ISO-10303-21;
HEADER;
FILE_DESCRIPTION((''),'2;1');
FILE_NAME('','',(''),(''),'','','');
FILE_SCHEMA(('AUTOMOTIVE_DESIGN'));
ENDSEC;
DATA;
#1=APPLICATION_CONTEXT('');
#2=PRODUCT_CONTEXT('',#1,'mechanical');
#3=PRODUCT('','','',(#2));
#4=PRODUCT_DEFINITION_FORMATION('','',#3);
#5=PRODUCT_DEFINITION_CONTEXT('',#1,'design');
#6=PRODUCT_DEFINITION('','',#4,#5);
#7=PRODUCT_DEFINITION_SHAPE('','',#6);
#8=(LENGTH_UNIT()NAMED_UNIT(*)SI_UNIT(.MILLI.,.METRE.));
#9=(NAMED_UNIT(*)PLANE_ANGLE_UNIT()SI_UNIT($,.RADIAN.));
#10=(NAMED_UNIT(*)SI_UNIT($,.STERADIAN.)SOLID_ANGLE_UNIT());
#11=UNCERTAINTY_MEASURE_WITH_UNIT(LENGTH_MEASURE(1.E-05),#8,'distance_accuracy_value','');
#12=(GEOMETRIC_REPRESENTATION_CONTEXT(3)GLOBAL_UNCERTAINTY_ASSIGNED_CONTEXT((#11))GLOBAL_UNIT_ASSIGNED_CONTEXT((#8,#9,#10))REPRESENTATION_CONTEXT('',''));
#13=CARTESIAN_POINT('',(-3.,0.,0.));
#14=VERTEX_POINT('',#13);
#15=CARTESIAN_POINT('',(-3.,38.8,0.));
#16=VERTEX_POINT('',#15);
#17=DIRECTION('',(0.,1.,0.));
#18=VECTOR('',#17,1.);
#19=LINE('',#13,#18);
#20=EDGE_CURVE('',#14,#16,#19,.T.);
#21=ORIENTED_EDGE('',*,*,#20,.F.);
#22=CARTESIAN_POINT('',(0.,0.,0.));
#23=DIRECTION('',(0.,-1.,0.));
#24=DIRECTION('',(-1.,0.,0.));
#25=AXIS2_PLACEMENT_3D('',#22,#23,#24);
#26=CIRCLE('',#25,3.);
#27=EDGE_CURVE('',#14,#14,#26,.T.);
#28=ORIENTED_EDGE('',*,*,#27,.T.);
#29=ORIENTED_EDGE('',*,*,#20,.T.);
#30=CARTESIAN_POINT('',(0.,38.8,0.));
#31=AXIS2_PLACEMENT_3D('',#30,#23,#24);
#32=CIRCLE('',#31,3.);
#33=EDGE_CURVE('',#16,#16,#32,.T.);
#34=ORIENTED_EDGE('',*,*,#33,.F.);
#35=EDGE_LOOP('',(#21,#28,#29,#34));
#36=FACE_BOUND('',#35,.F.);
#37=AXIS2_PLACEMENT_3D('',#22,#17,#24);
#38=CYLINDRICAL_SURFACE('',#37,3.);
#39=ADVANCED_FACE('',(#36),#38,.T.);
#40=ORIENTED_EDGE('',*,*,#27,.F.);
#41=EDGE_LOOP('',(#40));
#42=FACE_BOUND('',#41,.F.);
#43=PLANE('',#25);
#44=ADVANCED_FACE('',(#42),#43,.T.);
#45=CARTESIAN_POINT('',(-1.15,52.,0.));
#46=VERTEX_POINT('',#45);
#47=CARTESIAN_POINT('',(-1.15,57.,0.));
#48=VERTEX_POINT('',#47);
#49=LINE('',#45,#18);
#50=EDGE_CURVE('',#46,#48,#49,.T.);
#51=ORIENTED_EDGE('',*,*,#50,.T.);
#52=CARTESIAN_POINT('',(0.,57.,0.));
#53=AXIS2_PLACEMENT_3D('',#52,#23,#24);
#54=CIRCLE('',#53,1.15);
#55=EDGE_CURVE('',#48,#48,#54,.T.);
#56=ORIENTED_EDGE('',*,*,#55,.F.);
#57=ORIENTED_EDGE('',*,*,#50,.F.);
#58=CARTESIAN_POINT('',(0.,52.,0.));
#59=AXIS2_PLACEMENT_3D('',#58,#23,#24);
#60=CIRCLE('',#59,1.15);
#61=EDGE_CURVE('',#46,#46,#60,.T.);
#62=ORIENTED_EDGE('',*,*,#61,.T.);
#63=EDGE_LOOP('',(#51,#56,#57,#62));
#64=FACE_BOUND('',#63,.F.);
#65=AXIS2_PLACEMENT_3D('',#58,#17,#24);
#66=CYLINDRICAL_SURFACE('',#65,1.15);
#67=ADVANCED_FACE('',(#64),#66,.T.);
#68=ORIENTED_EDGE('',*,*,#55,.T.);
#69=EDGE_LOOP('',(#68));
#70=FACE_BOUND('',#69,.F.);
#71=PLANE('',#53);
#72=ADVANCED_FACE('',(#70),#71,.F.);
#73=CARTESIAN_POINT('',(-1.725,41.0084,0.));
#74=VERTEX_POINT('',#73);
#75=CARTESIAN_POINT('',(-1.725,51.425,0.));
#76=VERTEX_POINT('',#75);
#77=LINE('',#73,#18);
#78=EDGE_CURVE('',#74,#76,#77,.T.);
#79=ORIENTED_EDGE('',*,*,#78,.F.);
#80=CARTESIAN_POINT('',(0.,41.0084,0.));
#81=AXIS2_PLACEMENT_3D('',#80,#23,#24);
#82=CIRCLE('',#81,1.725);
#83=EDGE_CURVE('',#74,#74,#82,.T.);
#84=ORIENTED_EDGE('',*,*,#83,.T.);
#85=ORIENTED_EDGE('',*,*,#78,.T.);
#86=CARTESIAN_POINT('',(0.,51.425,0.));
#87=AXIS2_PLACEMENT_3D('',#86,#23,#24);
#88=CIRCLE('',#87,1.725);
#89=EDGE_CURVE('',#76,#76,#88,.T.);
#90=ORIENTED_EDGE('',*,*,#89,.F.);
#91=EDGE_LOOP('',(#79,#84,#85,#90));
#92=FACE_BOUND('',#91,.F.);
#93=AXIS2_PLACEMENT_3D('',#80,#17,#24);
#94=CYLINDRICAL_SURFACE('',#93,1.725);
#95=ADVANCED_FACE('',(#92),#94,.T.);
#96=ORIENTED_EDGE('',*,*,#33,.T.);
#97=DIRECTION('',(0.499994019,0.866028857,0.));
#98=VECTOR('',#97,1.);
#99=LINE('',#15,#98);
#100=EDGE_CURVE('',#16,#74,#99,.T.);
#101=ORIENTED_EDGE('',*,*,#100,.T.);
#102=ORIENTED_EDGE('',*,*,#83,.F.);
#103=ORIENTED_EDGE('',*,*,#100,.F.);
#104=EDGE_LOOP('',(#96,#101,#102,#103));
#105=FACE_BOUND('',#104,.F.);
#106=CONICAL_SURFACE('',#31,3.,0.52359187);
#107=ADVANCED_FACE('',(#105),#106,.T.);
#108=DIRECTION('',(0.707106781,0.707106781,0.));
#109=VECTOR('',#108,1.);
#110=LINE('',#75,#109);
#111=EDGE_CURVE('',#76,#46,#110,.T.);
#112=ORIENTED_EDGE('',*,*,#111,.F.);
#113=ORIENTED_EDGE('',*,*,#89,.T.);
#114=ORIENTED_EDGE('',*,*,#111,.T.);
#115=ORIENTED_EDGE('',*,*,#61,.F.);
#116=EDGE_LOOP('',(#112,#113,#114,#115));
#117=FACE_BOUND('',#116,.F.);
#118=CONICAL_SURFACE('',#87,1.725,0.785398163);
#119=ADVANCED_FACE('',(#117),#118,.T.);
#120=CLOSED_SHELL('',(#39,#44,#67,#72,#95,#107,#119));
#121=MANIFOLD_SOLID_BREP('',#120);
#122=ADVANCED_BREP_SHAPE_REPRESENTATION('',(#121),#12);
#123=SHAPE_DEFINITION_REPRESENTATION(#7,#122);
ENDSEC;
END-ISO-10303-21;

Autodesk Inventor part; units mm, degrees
ref_plane "YZ Plane" through (0, 0, 0) normal (1, 0, 0) x (0, 1, 0)
ref_plane "XZ Plane" through (0, 0, 0) normal (0, 1, 0) x (-1, 0, 0)
ref_plane "XY Plane" through (0, 0, 0) normal (0, 0, 1) x (1, 0, 0)
sketch "Sketch1" plane through (0, 0, 0) normal (0, 0, 1) x (1, 0, 0)
  line L0 (-3.6, 0) -> (0.6, 0) construction
  line L1 (0, 0) -> (-3, 0)
  line L2 (-3, 0) -> (-3, 38.8)
  line L3 (-3, 38.8) -> (-1.725, 41.0084)
  line L4 (-1.725, 41.0084) -> (-1.725, 51.425)
  line L5 (-1.725, 51.425) -> (-1.15, 52)
  line L6 (-1.15, 52) -> (-1.15, 57)
  line L7 (-1.15, 57) -> (0, 57)
  line L8 (0, 57) -> (0, 0)
  dimension "d0" = 57
  dimension "d10" = 5
  dimension "d13" = 5.575
  dimension "d16" = 38.8
  dimension "d17" = 6
  dimension "d18" = 3.45
  dimension "d19" = 2.3
  dimension "d20" = 30
  dimension "d21" = 45
revolve "Revolution1" add sketch "Sketch1" angle 360 about axis through (0, 57, 0) along (0, -1, 0)
properties part number "R217.13-023050CC06K 1630"
